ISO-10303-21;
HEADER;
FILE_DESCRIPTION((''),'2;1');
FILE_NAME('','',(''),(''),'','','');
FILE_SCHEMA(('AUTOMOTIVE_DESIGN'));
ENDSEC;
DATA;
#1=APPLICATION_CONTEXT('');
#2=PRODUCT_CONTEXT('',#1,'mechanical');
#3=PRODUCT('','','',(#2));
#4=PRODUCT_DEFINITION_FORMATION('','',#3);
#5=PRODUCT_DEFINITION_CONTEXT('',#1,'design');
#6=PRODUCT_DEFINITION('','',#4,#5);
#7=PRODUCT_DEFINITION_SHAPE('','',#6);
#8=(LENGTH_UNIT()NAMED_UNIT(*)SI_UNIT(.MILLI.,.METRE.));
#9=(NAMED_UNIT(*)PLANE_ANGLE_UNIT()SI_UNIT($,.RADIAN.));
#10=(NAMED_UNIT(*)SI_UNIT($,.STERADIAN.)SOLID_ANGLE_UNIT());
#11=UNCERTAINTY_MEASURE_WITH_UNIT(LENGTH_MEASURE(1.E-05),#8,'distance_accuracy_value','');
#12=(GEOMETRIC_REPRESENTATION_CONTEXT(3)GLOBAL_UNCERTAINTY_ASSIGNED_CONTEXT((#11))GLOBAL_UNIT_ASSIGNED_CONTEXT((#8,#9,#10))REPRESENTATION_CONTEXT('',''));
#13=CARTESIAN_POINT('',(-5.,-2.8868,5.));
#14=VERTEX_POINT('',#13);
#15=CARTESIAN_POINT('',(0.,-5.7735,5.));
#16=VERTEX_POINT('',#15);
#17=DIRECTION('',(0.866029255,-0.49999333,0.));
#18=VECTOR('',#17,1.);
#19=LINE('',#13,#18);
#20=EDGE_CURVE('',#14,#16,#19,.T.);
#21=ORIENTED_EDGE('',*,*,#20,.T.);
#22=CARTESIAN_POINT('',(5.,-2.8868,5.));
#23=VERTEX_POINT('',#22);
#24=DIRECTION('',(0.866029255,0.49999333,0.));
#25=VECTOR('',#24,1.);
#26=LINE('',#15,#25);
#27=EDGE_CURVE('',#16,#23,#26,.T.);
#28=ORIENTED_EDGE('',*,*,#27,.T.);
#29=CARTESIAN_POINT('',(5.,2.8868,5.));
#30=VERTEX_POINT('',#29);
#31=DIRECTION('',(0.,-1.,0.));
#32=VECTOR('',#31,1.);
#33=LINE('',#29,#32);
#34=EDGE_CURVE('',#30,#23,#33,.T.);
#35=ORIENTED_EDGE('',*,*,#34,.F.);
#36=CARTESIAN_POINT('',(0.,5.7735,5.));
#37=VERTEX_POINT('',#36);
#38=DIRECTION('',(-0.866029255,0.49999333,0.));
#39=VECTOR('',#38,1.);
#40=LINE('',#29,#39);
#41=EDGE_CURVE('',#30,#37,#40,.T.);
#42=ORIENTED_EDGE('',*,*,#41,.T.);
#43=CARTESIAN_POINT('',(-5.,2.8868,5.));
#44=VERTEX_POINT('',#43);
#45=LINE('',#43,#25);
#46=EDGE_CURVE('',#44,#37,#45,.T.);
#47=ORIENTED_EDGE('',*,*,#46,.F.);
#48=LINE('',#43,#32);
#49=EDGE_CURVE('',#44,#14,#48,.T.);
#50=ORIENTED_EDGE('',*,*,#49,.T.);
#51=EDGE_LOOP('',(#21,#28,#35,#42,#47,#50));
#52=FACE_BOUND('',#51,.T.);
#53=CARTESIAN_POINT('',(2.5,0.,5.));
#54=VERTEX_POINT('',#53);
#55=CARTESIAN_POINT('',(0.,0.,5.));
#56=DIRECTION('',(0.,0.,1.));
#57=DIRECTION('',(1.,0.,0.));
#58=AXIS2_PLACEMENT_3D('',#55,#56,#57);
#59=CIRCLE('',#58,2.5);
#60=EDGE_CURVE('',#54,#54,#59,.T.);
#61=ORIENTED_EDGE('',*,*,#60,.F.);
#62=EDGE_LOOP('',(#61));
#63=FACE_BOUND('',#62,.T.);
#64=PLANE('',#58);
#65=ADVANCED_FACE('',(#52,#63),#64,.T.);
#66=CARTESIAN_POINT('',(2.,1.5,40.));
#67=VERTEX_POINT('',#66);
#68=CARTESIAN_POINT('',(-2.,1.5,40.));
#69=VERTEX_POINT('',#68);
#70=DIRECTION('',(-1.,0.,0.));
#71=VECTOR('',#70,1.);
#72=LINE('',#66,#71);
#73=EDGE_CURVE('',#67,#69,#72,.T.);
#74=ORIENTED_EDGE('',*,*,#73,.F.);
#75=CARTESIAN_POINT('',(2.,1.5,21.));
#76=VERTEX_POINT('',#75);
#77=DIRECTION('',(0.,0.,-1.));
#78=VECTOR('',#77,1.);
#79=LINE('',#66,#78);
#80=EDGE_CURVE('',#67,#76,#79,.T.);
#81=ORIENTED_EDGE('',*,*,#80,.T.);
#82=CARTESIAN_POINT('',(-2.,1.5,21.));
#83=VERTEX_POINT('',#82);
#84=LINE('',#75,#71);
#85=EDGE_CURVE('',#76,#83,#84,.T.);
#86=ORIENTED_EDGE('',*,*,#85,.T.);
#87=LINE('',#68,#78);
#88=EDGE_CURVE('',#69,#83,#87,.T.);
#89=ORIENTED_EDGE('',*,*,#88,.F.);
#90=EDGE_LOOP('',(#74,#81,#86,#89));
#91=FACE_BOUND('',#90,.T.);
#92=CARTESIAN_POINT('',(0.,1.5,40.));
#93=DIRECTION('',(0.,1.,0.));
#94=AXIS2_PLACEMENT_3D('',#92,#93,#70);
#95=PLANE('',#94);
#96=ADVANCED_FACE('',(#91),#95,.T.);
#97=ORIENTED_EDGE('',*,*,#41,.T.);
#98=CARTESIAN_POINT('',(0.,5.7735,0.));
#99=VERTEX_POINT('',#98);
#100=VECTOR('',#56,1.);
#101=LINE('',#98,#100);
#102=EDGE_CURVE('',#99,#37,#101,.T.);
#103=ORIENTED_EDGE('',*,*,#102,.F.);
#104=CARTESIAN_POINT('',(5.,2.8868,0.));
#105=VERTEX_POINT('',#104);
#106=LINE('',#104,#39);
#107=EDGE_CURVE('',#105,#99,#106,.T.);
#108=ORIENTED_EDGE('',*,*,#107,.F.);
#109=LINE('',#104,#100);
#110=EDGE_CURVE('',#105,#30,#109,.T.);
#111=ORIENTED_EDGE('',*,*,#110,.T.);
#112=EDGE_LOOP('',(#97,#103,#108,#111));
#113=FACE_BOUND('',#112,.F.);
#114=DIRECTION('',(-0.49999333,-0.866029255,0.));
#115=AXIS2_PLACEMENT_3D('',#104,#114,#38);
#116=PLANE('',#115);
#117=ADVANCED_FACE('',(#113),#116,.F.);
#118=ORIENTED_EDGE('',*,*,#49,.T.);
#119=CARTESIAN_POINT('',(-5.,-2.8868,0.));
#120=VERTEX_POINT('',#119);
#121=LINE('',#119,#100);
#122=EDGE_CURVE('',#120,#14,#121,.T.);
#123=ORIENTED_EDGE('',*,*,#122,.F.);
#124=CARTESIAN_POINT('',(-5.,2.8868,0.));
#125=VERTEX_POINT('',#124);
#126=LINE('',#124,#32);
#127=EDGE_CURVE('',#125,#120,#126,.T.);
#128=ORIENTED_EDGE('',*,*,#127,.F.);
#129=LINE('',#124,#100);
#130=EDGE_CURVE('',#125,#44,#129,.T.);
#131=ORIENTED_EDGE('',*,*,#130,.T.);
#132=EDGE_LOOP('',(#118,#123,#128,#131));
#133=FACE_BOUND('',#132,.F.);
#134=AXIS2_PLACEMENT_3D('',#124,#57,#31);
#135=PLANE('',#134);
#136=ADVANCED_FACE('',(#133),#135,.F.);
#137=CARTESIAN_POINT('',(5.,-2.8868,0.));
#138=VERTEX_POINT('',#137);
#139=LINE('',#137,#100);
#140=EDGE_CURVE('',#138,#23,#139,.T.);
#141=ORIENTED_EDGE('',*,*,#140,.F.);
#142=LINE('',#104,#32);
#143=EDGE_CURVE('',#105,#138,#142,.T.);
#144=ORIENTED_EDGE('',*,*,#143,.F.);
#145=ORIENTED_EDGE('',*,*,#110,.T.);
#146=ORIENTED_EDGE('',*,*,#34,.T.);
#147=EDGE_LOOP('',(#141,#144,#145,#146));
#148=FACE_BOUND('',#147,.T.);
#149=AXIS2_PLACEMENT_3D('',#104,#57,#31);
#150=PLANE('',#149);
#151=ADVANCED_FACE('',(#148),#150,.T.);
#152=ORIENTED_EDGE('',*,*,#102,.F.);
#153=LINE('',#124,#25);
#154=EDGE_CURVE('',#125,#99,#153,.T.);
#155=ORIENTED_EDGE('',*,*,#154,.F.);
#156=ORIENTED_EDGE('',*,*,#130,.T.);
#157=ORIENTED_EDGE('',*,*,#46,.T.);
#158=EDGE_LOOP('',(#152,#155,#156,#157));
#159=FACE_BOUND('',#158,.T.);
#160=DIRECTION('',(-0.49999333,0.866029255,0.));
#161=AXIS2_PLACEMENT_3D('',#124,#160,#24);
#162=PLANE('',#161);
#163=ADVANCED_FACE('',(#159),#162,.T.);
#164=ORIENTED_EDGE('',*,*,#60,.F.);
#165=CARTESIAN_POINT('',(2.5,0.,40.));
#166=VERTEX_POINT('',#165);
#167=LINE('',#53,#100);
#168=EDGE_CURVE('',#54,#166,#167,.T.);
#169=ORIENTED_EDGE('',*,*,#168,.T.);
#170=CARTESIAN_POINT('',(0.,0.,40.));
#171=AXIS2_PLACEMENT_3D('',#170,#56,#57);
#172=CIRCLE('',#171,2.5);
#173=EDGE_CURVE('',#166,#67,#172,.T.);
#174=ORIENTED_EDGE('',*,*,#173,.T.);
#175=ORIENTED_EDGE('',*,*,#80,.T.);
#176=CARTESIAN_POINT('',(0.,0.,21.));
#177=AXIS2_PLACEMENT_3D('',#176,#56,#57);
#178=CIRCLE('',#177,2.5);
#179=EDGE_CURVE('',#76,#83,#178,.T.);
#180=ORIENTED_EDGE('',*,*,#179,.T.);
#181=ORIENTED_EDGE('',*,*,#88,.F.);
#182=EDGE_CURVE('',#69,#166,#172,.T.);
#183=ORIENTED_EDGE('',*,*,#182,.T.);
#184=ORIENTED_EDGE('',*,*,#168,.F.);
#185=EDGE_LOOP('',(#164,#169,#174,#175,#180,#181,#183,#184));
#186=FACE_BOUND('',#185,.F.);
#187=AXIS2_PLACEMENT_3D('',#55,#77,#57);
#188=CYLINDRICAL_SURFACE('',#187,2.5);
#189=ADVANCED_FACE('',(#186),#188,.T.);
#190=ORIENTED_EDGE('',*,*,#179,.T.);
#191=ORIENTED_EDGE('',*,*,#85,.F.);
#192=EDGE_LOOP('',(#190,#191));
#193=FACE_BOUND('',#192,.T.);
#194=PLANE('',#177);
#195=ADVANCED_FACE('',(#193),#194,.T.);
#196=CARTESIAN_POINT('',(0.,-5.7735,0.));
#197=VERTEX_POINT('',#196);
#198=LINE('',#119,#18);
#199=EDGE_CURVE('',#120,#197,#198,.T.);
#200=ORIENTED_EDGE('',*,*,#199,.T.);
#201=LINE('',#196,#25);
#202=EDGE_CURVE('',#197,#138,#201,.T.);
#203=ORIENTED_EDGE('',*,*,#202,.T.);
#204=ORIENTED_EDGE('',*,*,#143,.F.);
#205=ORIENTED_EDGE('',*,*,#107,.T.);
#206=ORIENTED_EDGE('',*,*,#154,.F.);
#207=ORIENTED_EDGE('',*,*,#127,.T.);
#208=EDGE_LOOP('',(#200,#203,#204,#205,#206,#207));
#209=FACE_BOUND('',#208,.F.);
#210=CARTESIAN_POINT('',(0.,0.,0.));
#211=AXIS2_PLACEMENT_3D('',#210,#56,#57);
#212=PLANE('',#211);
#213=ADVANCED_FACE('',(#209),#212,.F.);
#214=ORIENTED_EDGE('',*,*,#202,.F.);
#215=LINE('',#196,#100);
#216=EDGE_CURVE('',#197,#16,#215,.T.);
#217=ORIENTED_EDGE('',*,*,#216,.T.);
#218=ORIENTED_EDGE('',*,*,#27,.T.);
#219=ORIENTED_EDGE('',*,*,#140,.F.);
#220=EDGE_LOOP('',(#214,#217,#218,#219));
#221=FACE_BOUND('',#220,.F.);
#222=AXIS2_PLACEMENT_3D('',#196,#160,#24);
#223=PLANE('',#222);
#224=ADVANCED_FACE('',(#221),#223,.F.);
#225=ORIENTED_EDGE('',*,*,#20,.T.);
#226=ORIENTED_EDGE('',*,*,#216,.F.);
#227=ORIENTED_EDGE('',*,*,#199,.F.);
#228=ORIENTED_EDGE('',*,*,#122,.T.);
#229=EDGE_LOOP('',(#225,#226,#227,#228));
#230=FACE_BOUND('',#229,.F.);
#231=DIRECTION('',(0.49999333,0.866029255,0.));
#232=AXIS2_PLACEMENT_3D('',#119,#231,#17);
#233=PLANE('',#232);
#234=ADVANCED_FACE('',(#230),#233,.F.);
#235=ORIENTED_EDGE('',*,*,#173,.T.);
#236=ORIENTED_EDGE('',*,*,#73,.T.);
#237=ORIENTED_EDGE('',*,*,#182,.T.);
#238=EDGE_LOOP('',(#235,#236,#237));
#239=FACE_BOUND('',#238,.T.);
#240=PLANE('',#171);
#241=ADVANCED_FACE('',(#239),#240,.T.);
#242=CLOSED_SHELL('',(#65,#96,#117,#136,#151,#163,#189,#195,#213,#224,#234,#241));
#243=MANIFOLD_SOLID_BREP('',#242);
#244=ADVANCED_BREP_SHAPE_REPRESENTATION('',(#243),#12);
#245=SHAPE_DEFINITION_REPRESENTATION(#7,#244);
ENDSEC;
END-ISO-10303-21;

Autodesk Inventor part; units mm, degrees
ref_plane "YZ Plane" through (0, 0, 0) normal (1, 0, 0) x (0, 1, 0)
ref_plane "XZ Plane" through (0, 0, 0) normal (0, 1, 0) x (-1, 0, 0)
ref_plane "XY Plane" through (0, 0, 0) normal (0, 0, 1) x (1, 0, 0)
sketch "Sketch1" plane through (0, 0, 0) normal (0, 0, 1) x (1, 0, 0)
  line L0 (5, 2.8868) -> (5, -2.8868)
  line L1 (5, 2.8868) -> (0, 5.7735)
  line L2 (-5, 2.8868) -> (0, 5.7735)
  line L3 (0, -5.7735) -> (5, -2.8868)
  line L4 (-5, 2.8868) -> (-5, -2.8868)
  line L5 (-5, -2.8868) -> (0, -5.7735)
  point P0 (0, 0)
  point P1 (0, 0)
  point P2 (0, 0)
  point P3 (0, 0)
  point P4 (0, 0)
  point P5 (0, 0)
  dimension "d0" = 120
  dimension "d1" = 120
  dimension "d2" = 120
  dimension "d3" = 120
  dimension "d4" = 120
  dimension "d5" = 120
  dimension "d6" = 10
  dimension "d7" = 5
extrude "Extrusion1" add sketch "Sketch1" along normal blind 5
sketch "Sketch2" plane through (0, 0, 5) normal (0, 0, 1) x (1, 0, 0)
  circle A0 centre (0, 0) radius 2.5
  dimension "d10" = 5
extrude "Extrusion2" add sketch "Sketch2" along normal blind 35
thread "Thread1" size "M5x0.8" class "6g" standard "ANSI Metric M Profile" full length
sketch "Sketch3" plane through (0, 0, 40) normal (0, 0, 1) x (1, 0, 0)
  line L0 (0, 0) -> (0, 1.5)
  line L1 (0, 1.5) -> (2, 1.5)
  line L2 (2, 1.5) -> (-2, 1.5)
  circle A0 centre (0, 0) radius 2.5 projected
  circle A1 centre (0, 0) radius 2.5
  dimension "d15" = 1.5
extrude "Extrusion3" cut sketch "Sketch3" against normal blind 19 contours L2 A0 L1 picked at (-1.2006, 1.6398)
properties part number "m5-screw-cut"
